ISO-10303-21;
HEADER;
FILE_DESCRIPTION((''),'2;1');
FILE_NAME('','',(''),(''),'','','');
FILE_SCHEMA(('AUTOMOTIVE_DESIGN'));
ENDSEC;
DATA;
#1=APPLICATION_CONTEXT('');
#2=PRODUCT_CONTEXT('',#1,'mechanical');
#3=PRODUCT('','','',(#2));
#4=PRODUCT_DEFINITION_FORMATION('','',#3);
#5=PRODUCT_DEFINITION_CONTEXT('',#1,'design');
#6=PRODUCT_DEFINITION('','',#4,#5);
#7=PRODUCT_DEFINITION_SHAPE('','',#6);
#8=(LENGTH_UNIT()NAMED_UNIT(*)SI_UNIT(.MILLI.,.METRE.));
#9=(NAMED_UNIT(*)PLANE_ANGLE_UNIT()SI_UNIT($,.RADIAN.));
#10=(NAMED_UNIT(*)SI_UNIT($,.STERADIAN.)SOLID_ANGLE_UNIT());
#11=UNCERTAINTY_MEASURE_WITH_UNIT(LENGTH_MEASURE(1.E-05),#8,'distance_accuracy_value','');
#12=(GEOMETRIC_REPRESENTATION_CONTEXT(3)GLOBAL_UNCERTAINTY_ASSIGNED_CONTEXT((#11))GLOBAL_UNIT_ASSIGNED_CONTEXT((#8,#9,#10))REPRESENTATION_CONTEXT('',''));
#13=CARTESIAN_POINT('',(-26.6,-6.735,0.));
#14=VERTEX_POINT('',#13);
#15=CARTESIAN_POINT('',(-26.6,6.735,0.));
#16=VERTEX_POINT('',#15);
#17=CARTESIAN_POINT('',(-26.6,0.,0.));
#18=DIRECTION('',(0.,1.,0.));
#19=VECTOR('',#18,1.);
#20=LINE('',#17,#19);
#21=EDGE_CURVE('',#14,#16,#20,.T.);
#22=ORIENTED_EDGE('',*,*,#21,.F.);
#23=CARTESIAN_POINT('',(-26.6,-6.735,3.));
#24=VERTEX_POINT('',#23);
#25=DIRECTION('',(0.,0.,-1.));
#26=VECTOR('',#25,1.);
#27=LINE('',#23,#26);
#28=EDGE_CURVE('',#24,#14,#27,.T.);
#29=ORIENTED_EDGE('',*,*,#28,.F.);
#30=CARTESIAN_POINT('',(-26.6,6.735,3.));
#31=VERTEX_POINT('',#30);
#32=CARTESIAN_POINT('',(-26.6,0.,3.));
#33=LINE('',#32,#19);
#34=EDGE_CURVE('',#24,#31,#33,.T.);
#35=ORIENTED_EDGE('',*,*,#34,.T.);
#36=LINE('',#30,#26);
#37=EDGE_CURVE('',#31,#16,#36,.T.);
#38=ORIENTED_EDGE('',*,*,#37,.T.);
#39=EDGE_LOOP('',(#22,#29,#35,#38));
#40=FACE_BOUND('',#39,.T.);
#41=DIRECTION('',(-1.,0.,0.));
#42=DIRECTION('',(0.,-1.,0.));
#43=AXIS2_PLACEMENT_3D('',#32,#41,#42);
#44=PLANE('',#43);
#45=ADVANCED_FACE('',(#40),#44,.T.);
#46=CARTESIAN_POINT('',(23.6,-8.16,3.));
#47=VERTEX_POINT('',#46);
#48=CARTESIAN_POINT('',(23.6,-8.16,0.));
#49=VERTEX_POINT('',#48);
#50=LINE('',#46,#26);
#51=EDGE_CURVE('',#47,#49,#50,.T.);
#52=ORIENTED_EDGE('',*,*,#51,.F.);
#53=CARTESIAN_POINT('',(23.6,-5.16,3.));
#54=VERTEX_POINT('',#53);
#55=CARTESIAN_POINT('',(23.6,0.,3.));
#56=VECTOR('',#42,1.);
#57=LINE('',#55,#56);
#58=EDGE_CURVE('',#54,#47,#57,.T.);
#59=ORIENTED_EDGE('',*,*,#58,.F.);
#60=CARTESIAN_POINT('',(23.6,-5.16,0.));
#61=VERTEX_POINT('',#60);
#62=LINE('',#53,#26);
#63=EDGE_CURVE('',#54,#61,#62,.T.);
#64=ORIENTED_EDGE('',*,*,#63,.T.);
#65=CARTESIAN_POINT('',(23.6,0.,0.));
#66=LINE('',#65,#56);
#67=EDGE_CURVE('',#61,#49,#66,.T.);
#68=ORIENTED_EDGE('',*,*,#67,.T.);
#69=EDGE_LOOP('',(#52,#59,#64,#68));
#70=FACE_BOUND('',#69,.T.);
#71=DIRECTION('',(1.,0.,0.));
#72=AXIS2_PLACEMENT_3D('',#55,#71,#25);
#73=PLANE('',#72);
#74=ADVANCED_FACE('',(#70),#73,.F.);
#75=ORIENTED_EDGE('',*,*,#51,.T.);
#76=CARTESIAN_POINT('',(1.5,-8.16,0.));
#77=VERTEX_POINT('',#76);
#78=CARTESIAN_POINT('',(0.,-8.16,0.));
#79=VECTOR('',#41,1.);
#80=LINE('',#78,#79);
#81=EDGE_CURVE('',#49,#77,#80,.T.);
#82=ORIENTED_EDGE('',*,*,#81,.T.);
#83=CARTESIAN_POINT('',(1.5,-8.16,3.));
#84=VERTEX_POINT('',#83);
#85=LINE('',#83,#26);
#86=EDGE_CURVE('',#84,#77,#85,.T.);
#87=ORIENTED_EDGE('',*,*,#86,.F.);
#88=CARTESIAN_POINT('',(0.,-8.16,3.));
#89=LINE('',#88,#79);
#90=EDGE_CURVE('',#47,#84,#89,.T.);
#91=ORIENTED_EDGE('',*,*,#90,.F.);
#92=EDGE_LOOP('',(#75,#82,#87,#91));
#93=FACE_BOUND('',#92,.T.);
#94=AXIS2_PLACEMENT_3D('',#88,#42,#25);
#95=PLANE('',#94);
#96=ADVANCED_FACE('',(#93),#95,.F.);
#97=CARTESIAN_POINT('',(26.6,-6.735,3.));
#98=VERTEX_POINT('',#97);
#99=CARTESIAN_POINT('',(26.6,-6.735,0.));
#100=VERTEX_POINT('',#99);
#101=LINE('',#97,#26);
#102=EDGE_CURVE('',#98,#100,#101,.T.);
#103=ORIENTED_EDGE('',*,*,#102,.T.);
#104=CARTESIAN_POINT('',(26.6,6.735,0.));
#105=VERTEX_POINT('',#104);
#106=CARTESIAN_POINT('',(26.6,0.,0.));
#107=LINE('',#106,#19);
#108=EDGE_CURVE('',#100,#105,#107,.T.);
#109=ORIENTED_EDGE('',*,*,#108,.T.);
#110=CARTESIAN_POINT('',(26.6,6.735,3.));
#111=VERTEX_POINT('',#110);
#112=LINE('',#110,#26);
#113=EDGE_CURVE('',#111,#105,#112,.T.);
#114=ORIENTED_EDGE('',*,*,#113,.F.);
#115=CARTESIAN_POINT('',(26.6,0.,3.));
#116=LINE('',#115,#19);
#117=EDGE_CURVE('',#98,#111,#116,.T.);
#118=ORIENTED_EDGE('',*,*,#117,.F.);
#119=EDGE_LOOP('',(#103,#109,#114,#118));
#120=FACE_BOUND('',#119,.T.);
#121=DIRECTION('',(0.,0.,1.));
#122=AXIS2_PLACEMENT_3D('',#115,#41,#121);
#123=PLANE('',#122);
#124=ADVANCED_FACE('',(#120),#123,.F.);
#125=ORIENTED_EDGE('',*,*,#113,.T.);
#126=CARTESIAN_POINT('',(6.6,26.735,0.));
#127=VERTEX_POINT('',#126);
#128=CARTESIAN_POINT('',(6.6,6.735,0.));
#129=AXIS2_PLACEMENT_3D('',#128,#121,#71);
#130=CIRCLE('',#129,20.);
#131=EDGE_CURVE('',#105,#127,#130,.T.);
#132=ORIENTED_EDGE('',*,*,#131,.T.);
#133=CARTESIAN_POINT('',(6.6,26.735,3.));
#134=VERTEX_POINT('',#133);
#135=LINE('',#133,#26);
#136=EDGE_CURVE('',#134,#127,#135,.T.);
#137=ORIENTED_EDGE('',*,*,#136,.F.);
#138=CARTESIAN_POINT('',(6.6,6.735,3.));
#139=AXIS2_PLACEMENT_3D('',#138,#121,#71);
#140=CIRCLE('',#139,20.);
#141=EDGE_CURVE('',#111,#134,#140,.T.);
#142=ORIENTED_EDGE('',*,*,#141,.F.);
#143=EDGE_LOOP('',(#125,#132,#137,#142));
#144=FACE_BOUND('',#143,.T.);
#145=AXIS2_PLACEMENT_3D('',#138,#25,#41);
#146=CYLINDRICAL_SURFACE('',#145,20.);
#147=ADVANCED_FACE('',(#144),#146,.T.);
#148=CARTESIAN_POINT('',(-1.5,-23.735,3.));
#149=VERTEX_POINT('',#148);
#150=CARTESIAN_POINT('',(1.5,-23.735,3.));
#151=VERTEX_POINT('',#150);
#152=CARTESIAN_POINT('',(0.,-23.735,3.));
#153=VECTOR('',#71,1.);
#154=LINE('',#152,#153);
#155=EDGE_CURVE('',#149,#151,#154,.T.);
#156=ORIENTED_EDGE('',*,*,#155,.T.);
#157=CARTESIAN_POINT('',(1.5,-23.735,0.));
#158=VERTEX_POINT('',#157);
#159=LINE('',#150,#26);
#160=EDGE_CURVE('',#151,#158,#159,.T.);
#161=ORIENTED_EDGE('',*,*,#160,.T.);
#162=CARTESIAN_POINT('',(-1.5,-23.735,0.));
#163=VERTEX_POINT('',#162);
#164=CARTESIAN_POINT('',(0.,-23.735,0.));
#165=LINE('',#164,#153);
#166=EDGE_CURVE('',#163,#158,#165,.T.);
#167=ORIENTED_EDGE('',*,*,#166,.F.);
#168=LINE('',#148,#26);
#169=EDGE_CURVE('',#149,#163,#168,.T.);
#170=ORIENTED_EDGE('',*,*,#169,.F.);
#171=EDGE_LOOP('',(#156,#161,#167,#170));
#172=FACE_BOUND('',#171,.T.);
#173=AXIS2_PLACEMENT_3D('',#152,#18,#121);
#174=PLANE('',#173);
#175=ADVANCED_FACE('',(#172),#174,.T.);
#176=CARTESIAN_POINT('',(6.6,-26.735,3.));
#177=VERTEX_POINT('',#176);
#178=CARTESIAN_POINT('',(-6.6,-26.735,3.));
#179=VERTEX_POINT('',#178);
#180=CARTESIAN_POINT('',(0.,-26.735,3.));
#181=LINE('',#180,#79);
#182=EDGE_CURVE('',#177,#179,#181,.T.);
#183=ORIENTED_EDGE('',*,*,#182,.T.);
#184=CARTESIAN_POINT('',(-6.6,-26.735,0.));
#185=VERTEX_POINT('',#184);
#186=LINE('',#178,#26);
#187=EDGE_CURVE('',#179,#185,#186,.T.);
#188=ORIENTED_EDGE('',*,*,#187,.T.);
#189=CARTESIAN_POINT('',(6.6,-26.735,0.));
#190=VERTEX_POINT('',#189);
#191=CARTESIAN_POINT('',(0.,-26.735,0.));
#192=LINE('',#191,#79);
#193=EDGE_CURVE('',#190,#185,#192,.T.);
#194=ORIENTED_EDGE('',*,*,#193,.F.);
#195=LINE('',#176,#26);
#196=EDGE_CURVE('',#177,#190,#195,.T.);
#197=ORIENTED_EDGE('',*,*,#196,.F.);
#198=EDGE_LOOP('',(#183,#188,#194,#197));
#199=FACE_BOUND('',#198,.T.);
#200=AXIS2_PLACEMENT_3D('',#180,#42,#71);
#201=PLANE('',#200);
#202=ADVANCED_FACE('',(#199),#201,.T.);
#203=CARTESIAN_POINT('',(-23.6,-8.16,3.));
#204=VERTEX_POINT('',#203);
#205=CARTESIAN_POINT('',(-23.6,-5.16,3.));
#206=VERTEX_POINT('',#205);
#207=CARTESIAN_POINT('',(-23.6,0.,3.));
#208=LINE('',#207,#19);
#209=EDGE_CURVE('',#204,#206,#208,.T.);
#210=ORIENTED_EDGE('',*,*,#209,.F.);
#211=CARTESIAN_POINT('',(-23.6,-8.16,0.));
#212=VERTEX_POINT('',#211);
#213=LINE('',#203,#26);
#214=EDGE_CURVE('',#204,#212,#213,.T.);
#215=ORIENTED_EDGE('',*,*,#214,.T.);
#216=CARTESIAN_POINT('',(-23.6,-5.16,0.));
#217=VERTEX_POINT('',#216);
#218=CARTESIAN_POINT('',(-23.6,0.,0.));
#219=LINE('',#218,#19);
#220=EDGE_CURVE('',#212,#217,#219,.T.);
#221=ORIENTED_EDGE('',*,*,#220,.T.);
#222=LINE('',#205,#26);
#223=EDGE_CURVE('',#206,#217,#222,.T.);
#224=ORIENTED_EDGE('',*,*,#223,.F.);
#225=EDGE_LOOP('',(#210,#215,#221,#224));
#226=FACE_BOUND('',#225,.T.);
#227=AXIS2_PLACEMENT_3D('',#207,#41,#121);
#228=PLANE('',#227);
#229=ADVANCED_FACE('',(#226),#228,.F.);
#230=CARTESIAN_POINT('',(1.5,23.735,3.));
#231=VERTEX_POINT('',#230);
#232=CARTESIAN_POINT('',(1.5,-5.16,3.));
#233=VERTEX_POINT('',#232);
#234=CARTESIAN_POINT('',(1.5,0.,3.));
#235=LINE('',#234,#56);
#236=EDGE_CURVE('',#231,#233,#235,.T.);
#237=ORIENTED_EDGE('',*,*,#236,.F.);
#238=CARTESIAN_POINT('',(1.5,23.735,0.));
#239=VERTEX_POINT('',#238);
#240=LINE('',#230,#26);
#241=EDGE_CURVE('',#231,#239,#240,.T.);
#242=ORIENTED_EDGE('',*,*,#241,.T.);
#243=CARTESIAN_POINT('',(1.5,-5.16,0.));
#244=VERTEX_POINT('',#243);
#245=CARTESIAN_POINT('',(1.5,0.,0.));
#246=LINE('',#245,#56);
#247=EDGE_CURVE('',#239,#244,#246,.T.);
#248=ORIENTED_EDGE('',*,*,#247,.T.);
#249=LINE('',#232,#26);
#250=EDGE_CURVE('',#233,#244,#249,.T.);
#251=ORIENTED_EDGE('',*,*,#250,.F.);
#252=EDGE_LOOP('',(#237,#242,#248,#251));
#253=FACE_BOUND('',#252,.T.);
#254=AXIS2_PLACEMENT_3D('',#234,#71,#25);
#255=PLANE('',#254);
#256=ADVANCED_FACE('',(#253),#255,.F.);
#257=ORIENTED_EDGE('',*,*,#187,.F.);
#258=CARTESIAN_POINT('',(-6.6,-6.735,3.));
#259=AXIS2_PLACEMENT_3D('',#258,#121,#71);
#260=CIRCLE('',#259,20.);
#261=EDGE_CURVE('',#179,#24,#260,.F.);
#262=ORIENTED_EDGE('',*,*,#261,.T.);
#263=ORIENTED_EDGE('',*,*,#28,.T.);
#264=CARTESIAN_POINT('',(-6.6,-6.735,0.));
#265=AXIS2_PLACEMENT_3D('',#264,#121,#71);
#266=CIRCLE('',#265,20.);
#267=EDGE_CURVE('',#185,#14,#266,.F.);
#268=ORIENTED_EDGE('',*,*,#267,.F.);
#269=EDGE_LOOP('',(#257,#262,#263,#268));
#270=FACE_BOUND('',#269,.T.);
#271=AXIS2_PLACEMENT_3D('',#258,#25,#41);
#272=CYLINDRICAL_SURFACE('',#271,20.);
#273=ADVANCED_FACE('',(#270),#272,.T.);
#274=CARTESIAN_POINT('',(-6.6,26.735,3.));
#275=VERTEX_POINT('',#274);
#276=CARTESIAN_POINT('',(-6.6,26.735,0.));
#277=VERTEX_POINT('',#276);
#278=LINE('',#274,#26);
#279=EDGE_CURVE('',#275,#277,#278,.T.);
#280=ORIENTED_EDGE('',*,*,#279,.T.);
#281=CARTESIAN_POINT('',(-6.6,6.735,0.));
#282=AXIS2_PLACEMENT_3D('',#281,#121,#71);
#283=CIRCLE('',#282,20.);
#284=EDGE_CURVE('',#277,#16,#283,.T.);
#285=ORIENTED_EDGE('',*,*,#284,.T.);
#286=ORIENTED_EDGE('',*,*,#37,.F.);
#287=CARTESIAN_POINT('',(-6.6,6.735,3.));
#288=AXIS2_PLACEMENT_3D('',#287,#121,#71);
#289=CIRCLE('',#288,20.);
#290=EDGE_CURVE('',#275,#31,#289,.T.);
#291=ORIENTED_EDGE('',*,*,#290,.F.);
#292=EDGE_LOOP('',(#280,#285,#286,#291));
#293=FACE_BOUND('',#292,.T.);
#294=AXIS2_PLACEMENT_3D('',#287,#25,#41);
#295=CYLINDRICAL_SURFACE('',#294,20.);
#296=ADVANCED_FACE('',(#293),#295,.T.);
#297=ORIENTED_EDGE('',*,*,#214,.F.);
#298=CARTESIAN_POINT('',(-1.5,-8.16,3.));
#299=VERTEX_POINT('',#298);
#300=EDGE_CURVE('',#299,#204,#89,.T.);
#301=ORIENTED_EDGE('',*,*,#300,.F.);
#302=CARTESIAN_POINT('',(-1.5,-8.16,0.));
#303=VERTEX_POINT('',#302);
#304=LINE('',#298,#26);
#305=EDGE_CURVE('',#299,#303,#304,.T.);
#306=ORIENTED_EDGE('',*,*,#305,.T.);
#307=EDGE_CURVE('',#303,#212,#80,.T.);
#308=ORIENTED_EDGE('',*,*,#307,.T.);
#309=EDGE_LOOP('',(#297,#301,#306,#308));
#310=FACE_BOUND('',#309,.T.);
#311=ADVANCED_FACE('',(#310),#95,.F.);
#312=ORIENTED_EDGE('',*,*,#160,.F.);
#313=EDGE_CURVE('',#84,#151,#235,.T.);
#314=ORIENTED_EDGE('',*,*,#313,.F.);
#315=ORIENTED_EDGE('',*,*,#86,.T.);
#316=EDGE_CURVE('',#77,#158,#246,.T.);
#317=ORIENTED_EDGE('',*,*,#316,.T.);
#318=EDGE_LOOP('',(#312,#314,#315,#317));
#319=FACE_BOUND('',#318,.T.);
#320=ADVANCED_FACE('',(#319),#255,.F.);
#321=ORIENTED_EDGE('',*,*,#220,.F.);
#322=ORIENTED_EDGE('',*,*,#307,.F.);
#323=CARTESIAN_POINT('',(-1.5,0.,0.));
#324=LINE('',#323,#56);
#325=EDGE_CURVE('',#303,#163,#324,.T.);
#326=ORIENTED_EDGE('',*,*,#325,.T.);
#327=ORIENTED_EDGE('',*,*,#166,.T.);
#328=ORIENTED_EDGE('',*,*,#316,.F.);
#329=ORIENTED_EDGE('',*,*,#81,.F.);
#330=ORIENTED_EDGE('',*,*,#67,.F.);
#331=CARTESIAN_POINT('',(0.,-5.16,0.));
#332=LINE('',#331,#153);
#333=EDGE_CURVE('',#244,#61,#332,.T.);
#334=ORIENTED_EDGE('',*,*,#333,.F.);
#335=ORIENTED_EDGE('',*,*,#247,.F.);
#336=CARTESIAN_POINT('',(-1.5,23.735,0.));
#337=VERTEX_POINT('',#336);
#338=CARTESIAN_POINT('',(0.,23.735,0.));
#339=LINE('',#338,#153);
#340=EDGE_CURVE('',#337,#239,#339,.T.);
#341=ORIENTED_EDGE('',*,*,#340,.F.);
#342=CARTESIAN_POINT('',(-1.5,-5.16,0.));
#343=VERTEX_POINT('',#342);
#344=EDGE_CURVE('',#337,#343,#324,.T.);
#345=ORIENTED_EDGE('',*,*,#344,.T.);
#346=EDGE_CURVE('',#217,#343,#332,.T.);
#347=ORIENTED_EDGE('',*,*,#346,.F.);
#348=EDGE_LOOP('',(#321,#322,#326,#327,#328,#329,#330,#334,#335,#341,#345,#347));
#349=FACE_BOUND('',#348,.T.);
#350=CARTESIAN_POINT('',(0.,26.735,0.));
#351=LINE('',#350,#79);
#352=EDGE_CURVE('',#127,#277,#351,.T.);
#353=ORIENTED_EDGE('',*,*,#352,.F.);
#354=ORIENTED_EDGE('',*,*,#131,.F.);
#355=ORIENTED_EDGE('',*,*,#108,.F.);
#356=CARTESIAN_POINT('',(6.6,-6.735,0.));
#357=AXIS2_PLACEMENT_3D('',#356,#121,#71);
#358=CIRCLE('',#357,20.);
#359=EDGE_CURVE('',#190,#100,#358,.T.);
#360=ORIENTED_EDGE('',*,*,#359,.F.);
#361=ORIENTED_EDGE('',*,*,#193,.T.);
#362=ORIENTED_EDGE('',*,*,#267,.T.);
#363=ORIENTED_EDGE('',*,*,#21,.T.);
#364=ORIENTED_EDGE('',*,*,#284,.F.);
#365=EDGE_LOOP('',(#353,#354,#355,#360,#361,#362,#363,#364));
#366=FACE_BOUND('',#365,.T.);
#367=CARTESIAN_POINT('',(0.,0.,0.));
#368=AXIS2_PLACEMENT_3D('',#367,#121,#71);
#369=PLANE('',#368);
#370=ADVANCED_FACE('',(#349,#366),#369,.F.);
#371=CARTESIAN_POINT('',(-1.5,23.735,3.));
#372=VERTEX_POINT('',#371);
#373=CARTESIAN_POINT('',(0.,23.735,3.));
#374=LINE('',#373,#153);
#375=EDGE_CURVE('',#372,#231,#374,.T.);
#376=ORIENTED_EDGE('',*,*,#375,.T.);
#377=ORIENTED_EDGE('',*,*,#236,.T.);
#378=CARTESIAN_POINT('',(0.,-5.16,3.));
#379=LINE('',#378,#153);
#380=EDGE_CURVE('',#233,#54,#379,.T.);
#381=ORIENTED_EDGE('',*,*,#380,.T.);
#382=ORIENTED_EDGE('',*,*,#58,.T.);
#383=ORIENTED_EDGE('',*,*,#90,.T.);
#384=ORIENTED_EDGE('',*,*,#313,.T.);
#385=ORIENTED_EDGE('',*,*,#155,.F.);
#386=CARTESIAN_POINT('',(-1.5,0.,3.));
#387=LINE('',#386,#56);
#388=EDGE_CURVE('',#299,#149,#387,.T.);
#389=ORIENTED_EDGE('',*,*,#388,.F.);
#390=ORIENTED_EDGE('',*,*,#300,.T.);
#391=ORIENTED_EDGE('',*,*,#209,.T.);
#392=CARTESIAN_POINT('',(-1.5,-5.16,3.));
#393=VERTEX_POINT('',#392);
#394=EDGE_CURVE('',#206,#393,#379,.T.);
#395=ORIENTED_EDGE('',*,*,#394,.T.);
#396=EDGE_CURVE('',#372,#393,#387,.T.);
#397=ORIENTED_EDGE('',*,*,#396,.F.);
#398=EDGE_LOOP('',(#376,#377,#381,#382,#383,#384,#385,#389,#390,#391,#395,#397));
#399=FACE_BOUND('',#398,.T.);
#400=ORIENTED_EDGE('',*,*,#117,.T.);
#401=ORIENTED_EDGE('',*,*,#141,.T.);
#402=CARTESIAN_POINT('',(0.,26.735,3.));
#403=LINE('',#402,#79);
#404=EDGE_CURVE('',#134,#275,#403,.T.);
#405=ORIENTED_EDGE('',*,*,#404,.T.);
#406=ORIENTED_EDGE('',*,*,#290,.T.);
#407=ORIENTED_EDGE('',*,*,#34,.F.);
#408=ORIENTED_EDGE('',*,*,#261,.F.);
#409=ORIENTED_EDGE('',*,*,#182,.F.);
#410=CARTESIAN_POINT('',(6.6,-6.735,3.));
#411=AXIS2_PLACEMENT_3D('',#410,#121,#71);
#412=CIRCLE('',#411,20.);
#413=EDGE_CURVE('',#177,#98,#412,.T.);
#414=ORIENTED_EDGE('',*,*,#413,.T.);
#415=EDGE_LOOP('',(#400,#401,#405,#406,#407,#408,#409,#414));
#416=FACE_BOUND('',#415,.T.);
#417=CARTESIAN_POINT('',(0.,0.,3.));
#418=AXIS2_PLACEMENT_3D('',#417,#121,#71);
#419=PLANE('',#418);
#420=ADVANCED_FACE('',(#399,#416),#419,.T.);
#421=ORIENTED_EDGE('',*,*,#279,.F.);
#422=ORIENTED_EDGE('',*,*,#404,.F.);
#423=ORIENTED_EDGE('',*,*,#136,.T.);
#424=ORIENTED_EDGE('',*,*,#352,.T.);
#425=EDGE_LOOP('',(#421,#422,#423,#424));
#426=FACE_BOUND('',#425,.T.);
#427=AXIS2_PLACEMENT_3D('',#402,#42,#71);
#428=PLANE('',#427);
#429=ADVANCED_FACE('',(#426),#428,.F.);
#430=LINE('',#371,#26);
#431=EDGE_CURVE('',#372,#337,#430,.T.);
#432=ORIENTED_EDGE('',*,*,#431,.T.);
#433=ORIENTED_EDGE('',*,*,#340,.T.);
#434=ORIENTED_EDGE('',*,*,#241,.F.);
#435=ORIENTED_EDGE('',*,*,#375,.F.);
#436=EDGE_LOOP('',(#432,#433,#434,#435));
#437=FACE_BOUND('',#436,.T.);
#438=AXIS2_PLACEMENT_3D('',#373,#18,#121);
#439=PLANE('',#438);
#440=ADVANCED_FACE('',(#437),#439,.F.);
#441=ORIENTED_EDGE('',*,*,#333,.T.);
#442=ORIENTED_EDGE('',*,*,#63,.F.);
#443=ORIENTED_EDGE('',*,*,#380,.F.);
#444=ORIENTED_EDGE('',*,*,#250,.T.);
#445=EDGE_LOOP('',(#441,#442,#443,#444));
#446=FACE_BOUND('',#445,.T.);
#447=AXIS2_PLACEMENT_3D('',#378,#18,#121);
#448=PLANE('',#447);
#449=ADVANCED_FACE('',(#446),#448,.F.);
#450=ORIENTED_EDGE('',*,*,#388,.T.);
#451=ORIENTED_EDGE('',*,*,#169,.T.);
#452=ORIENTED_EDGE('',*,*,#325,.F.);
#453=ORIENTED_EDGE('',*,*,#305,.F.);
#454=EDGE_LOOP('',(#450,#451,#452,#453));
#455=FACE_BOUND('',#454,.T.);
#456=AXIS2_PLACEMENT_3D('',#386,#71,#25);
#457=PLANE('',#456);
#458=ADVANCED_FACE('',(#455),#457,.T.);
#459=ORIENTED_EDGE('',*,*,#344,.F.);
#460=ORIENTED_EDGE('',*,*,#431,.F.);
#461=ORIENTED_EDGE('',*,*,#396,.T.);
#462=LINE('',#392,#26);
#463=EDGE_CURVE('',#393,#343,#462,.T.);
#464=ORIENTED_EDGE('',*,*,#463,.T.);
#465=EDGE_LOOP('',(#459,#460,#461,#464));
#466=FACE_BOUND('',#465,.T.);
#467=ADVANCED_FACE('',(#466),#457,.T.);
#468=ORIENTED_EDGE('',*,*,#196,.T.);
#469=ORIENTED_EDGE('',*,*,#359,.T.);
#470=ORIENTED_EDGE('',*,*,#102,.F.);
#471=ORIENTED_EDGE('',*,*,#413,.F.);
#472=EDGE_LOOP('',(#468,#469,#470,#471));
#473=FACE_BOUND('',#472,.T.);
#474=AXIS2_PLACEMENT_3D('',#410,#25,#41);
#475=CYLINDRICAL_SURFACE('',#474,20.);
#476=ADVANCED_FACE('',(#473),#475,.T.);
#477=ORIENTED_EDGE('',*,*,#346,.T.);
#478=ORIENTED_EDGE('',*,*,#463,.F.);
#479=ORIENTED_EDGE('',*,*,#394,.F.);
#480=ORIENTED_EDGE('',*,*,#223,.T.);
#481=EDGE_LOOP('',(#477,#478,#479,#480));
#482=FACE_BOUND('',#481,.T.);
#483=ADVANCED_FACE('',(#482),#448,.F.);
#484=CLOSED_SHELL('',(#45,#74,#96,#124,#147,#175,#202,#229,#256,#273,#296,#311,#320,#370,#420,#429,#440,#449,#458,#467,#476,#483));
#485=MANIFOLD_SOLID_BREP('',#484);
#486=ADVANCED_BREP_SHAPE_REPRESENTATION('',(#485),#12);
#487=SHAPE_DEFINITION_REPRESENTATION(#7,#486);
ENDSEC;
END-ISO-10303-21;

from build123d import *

# Parameters (mm, degrees)
SALIENTE_EXTRUIR1_DEPTH = 3


with BuildPart() as part:
    # Croquis1 → Saliente-Extruir1 (new body)
    with BuildSketch(Plane.XY):
        with BuildLine():
            Line((-6.6, -26.735), (6.6, -26.735))
            ThreePointArc((6.6, -26.735), (20.742135624, -20.877135624), (26.6, -6.735))
            Line((26.6, -6.735), (26.6, 6.735))
            ThreePointArc((26.6, 6.735), (20.742135624, 20.877135624), (6.6, 26.735))
            Line((6.6, 26.735), (-6.6, 26.735))
            ThreePointArc((-6.6, 26.735), (-20.742135624, 20.877135624), (-26.6, 6.735))
            Line((-26.6, 6.735), (-26.6, -6.735))
            ThreePointArc((-26.6, -6.735), (-20.742135624, -20.877135624), (-6.6, -26.735))
        make_face()
        Polygon((-23.6, -8.16), (-23.6, -5.16), (-1.5, -5.16), (-1.5, 23.735), (1.5, 23.735), (1.5, -5.16), (23.6, -5.16), (23.6, -8.16), (1.5, -8.16), (1.5, -23.735), (-1.5, -23.735), (-1.5, -8.16), align=None, mode=Mode.SUBTRACT)
    extrude(amount=SALIENTE_EXTRUIR1_DEPTH)


solid = part.part
